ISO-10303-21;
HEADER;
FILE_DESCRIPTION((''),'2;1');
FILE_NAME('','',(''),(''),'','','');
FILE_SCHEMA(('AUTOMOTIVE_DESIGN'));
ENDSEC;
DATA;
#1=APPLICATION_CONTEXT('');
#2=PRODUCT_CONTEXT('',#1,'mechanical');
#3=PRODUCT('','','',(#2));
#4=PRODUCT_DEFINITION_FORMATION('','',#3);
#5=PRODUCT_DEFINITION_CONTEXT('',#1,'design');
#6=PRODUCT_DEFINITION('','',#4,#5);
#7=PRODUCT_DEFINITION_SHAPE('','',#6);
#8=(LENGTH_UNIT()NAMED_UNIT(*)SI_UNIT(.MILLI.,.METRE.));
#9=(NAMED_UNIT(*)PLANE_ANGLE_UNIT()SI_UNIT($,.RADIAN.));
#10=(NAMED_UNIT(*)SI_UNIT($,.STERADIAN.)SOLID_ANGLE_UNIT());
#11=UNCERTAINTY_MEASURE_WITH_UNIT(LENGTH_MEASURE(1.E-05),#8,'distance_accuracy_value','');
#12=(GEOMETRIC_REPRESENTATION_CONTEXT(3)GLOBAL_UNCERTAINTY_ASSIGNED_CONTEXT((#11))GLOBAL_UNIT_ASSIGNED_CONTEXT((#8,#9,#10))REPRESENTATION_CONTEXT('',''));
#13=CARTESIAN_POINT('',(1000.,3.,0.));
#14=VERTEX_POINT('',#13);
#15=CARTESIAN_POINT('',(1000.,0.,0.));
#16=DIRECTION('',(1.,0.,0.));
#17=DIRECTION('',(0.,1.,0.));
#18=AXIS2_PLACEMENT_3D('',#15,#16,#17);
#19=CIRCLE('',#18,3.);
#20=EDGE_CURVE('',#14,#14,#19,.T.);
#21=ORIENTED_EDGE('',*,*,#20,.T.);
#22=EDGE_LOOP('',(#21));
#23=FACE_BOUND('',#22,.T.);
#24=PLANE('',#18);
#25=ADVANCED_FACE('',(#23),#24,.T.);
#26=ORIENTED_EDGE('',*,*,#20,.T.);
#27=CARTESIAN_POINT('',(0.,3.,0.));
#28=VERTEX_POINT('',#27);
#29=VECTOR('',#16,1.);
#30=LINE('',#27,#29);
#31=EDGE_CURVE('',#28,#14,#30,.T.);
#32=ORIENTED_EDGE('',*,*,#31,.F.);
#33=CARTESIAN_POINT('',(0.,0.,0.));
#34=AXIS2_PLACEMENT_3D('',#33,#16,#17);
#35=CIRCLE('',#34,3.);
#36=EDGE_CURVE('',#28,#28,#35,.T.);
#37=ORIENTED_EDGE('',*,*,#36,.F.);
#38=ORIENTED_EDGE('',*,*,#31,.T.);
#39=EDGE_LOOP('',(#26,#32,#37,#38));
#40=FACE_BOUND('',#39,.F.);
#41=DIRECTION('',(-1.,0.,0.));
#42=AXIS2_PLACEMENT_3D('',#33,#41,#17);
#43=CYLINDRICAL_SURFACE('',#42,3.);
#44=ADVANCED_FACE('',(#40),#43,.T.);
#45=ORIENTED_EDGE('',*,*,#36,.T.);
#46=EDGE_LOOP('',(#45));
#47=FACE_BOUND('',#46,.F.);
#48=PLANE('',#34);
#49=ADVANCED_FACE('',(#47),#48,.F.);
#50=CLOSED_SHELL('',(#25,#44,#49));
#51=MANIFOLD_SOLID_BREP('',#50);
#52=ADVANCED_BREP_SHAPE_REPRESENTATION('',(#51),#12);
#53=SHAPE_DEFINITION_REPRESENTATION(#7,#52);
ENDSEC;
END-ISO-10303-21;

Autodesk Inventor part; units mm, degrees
ref_plane "YZ Plane" through (0, 0, 0) normal (1, 0, 0) x (0, 1, 0)
ref_plane "XZ Plane" through (0, 0, 0) normal (0, 1, 0) x (-1, 0, 0)
ref_plane "XY Plane" through (0, 0, 0) normal (0, 0, 1) x (1, 0, 0)
sketch "Sketch1" plane through (0, 0, 0) normal (1, 0, 0) x (0, 1, 0)
  circle A0 centre (0, 0) radius 3
  dimension "d0" = 6
extrude "Extrusion1" add sketch "Sketch1" along normal blind 1000
properties part number "Varilla roscada M6 X" material "Steel, Carbon"
